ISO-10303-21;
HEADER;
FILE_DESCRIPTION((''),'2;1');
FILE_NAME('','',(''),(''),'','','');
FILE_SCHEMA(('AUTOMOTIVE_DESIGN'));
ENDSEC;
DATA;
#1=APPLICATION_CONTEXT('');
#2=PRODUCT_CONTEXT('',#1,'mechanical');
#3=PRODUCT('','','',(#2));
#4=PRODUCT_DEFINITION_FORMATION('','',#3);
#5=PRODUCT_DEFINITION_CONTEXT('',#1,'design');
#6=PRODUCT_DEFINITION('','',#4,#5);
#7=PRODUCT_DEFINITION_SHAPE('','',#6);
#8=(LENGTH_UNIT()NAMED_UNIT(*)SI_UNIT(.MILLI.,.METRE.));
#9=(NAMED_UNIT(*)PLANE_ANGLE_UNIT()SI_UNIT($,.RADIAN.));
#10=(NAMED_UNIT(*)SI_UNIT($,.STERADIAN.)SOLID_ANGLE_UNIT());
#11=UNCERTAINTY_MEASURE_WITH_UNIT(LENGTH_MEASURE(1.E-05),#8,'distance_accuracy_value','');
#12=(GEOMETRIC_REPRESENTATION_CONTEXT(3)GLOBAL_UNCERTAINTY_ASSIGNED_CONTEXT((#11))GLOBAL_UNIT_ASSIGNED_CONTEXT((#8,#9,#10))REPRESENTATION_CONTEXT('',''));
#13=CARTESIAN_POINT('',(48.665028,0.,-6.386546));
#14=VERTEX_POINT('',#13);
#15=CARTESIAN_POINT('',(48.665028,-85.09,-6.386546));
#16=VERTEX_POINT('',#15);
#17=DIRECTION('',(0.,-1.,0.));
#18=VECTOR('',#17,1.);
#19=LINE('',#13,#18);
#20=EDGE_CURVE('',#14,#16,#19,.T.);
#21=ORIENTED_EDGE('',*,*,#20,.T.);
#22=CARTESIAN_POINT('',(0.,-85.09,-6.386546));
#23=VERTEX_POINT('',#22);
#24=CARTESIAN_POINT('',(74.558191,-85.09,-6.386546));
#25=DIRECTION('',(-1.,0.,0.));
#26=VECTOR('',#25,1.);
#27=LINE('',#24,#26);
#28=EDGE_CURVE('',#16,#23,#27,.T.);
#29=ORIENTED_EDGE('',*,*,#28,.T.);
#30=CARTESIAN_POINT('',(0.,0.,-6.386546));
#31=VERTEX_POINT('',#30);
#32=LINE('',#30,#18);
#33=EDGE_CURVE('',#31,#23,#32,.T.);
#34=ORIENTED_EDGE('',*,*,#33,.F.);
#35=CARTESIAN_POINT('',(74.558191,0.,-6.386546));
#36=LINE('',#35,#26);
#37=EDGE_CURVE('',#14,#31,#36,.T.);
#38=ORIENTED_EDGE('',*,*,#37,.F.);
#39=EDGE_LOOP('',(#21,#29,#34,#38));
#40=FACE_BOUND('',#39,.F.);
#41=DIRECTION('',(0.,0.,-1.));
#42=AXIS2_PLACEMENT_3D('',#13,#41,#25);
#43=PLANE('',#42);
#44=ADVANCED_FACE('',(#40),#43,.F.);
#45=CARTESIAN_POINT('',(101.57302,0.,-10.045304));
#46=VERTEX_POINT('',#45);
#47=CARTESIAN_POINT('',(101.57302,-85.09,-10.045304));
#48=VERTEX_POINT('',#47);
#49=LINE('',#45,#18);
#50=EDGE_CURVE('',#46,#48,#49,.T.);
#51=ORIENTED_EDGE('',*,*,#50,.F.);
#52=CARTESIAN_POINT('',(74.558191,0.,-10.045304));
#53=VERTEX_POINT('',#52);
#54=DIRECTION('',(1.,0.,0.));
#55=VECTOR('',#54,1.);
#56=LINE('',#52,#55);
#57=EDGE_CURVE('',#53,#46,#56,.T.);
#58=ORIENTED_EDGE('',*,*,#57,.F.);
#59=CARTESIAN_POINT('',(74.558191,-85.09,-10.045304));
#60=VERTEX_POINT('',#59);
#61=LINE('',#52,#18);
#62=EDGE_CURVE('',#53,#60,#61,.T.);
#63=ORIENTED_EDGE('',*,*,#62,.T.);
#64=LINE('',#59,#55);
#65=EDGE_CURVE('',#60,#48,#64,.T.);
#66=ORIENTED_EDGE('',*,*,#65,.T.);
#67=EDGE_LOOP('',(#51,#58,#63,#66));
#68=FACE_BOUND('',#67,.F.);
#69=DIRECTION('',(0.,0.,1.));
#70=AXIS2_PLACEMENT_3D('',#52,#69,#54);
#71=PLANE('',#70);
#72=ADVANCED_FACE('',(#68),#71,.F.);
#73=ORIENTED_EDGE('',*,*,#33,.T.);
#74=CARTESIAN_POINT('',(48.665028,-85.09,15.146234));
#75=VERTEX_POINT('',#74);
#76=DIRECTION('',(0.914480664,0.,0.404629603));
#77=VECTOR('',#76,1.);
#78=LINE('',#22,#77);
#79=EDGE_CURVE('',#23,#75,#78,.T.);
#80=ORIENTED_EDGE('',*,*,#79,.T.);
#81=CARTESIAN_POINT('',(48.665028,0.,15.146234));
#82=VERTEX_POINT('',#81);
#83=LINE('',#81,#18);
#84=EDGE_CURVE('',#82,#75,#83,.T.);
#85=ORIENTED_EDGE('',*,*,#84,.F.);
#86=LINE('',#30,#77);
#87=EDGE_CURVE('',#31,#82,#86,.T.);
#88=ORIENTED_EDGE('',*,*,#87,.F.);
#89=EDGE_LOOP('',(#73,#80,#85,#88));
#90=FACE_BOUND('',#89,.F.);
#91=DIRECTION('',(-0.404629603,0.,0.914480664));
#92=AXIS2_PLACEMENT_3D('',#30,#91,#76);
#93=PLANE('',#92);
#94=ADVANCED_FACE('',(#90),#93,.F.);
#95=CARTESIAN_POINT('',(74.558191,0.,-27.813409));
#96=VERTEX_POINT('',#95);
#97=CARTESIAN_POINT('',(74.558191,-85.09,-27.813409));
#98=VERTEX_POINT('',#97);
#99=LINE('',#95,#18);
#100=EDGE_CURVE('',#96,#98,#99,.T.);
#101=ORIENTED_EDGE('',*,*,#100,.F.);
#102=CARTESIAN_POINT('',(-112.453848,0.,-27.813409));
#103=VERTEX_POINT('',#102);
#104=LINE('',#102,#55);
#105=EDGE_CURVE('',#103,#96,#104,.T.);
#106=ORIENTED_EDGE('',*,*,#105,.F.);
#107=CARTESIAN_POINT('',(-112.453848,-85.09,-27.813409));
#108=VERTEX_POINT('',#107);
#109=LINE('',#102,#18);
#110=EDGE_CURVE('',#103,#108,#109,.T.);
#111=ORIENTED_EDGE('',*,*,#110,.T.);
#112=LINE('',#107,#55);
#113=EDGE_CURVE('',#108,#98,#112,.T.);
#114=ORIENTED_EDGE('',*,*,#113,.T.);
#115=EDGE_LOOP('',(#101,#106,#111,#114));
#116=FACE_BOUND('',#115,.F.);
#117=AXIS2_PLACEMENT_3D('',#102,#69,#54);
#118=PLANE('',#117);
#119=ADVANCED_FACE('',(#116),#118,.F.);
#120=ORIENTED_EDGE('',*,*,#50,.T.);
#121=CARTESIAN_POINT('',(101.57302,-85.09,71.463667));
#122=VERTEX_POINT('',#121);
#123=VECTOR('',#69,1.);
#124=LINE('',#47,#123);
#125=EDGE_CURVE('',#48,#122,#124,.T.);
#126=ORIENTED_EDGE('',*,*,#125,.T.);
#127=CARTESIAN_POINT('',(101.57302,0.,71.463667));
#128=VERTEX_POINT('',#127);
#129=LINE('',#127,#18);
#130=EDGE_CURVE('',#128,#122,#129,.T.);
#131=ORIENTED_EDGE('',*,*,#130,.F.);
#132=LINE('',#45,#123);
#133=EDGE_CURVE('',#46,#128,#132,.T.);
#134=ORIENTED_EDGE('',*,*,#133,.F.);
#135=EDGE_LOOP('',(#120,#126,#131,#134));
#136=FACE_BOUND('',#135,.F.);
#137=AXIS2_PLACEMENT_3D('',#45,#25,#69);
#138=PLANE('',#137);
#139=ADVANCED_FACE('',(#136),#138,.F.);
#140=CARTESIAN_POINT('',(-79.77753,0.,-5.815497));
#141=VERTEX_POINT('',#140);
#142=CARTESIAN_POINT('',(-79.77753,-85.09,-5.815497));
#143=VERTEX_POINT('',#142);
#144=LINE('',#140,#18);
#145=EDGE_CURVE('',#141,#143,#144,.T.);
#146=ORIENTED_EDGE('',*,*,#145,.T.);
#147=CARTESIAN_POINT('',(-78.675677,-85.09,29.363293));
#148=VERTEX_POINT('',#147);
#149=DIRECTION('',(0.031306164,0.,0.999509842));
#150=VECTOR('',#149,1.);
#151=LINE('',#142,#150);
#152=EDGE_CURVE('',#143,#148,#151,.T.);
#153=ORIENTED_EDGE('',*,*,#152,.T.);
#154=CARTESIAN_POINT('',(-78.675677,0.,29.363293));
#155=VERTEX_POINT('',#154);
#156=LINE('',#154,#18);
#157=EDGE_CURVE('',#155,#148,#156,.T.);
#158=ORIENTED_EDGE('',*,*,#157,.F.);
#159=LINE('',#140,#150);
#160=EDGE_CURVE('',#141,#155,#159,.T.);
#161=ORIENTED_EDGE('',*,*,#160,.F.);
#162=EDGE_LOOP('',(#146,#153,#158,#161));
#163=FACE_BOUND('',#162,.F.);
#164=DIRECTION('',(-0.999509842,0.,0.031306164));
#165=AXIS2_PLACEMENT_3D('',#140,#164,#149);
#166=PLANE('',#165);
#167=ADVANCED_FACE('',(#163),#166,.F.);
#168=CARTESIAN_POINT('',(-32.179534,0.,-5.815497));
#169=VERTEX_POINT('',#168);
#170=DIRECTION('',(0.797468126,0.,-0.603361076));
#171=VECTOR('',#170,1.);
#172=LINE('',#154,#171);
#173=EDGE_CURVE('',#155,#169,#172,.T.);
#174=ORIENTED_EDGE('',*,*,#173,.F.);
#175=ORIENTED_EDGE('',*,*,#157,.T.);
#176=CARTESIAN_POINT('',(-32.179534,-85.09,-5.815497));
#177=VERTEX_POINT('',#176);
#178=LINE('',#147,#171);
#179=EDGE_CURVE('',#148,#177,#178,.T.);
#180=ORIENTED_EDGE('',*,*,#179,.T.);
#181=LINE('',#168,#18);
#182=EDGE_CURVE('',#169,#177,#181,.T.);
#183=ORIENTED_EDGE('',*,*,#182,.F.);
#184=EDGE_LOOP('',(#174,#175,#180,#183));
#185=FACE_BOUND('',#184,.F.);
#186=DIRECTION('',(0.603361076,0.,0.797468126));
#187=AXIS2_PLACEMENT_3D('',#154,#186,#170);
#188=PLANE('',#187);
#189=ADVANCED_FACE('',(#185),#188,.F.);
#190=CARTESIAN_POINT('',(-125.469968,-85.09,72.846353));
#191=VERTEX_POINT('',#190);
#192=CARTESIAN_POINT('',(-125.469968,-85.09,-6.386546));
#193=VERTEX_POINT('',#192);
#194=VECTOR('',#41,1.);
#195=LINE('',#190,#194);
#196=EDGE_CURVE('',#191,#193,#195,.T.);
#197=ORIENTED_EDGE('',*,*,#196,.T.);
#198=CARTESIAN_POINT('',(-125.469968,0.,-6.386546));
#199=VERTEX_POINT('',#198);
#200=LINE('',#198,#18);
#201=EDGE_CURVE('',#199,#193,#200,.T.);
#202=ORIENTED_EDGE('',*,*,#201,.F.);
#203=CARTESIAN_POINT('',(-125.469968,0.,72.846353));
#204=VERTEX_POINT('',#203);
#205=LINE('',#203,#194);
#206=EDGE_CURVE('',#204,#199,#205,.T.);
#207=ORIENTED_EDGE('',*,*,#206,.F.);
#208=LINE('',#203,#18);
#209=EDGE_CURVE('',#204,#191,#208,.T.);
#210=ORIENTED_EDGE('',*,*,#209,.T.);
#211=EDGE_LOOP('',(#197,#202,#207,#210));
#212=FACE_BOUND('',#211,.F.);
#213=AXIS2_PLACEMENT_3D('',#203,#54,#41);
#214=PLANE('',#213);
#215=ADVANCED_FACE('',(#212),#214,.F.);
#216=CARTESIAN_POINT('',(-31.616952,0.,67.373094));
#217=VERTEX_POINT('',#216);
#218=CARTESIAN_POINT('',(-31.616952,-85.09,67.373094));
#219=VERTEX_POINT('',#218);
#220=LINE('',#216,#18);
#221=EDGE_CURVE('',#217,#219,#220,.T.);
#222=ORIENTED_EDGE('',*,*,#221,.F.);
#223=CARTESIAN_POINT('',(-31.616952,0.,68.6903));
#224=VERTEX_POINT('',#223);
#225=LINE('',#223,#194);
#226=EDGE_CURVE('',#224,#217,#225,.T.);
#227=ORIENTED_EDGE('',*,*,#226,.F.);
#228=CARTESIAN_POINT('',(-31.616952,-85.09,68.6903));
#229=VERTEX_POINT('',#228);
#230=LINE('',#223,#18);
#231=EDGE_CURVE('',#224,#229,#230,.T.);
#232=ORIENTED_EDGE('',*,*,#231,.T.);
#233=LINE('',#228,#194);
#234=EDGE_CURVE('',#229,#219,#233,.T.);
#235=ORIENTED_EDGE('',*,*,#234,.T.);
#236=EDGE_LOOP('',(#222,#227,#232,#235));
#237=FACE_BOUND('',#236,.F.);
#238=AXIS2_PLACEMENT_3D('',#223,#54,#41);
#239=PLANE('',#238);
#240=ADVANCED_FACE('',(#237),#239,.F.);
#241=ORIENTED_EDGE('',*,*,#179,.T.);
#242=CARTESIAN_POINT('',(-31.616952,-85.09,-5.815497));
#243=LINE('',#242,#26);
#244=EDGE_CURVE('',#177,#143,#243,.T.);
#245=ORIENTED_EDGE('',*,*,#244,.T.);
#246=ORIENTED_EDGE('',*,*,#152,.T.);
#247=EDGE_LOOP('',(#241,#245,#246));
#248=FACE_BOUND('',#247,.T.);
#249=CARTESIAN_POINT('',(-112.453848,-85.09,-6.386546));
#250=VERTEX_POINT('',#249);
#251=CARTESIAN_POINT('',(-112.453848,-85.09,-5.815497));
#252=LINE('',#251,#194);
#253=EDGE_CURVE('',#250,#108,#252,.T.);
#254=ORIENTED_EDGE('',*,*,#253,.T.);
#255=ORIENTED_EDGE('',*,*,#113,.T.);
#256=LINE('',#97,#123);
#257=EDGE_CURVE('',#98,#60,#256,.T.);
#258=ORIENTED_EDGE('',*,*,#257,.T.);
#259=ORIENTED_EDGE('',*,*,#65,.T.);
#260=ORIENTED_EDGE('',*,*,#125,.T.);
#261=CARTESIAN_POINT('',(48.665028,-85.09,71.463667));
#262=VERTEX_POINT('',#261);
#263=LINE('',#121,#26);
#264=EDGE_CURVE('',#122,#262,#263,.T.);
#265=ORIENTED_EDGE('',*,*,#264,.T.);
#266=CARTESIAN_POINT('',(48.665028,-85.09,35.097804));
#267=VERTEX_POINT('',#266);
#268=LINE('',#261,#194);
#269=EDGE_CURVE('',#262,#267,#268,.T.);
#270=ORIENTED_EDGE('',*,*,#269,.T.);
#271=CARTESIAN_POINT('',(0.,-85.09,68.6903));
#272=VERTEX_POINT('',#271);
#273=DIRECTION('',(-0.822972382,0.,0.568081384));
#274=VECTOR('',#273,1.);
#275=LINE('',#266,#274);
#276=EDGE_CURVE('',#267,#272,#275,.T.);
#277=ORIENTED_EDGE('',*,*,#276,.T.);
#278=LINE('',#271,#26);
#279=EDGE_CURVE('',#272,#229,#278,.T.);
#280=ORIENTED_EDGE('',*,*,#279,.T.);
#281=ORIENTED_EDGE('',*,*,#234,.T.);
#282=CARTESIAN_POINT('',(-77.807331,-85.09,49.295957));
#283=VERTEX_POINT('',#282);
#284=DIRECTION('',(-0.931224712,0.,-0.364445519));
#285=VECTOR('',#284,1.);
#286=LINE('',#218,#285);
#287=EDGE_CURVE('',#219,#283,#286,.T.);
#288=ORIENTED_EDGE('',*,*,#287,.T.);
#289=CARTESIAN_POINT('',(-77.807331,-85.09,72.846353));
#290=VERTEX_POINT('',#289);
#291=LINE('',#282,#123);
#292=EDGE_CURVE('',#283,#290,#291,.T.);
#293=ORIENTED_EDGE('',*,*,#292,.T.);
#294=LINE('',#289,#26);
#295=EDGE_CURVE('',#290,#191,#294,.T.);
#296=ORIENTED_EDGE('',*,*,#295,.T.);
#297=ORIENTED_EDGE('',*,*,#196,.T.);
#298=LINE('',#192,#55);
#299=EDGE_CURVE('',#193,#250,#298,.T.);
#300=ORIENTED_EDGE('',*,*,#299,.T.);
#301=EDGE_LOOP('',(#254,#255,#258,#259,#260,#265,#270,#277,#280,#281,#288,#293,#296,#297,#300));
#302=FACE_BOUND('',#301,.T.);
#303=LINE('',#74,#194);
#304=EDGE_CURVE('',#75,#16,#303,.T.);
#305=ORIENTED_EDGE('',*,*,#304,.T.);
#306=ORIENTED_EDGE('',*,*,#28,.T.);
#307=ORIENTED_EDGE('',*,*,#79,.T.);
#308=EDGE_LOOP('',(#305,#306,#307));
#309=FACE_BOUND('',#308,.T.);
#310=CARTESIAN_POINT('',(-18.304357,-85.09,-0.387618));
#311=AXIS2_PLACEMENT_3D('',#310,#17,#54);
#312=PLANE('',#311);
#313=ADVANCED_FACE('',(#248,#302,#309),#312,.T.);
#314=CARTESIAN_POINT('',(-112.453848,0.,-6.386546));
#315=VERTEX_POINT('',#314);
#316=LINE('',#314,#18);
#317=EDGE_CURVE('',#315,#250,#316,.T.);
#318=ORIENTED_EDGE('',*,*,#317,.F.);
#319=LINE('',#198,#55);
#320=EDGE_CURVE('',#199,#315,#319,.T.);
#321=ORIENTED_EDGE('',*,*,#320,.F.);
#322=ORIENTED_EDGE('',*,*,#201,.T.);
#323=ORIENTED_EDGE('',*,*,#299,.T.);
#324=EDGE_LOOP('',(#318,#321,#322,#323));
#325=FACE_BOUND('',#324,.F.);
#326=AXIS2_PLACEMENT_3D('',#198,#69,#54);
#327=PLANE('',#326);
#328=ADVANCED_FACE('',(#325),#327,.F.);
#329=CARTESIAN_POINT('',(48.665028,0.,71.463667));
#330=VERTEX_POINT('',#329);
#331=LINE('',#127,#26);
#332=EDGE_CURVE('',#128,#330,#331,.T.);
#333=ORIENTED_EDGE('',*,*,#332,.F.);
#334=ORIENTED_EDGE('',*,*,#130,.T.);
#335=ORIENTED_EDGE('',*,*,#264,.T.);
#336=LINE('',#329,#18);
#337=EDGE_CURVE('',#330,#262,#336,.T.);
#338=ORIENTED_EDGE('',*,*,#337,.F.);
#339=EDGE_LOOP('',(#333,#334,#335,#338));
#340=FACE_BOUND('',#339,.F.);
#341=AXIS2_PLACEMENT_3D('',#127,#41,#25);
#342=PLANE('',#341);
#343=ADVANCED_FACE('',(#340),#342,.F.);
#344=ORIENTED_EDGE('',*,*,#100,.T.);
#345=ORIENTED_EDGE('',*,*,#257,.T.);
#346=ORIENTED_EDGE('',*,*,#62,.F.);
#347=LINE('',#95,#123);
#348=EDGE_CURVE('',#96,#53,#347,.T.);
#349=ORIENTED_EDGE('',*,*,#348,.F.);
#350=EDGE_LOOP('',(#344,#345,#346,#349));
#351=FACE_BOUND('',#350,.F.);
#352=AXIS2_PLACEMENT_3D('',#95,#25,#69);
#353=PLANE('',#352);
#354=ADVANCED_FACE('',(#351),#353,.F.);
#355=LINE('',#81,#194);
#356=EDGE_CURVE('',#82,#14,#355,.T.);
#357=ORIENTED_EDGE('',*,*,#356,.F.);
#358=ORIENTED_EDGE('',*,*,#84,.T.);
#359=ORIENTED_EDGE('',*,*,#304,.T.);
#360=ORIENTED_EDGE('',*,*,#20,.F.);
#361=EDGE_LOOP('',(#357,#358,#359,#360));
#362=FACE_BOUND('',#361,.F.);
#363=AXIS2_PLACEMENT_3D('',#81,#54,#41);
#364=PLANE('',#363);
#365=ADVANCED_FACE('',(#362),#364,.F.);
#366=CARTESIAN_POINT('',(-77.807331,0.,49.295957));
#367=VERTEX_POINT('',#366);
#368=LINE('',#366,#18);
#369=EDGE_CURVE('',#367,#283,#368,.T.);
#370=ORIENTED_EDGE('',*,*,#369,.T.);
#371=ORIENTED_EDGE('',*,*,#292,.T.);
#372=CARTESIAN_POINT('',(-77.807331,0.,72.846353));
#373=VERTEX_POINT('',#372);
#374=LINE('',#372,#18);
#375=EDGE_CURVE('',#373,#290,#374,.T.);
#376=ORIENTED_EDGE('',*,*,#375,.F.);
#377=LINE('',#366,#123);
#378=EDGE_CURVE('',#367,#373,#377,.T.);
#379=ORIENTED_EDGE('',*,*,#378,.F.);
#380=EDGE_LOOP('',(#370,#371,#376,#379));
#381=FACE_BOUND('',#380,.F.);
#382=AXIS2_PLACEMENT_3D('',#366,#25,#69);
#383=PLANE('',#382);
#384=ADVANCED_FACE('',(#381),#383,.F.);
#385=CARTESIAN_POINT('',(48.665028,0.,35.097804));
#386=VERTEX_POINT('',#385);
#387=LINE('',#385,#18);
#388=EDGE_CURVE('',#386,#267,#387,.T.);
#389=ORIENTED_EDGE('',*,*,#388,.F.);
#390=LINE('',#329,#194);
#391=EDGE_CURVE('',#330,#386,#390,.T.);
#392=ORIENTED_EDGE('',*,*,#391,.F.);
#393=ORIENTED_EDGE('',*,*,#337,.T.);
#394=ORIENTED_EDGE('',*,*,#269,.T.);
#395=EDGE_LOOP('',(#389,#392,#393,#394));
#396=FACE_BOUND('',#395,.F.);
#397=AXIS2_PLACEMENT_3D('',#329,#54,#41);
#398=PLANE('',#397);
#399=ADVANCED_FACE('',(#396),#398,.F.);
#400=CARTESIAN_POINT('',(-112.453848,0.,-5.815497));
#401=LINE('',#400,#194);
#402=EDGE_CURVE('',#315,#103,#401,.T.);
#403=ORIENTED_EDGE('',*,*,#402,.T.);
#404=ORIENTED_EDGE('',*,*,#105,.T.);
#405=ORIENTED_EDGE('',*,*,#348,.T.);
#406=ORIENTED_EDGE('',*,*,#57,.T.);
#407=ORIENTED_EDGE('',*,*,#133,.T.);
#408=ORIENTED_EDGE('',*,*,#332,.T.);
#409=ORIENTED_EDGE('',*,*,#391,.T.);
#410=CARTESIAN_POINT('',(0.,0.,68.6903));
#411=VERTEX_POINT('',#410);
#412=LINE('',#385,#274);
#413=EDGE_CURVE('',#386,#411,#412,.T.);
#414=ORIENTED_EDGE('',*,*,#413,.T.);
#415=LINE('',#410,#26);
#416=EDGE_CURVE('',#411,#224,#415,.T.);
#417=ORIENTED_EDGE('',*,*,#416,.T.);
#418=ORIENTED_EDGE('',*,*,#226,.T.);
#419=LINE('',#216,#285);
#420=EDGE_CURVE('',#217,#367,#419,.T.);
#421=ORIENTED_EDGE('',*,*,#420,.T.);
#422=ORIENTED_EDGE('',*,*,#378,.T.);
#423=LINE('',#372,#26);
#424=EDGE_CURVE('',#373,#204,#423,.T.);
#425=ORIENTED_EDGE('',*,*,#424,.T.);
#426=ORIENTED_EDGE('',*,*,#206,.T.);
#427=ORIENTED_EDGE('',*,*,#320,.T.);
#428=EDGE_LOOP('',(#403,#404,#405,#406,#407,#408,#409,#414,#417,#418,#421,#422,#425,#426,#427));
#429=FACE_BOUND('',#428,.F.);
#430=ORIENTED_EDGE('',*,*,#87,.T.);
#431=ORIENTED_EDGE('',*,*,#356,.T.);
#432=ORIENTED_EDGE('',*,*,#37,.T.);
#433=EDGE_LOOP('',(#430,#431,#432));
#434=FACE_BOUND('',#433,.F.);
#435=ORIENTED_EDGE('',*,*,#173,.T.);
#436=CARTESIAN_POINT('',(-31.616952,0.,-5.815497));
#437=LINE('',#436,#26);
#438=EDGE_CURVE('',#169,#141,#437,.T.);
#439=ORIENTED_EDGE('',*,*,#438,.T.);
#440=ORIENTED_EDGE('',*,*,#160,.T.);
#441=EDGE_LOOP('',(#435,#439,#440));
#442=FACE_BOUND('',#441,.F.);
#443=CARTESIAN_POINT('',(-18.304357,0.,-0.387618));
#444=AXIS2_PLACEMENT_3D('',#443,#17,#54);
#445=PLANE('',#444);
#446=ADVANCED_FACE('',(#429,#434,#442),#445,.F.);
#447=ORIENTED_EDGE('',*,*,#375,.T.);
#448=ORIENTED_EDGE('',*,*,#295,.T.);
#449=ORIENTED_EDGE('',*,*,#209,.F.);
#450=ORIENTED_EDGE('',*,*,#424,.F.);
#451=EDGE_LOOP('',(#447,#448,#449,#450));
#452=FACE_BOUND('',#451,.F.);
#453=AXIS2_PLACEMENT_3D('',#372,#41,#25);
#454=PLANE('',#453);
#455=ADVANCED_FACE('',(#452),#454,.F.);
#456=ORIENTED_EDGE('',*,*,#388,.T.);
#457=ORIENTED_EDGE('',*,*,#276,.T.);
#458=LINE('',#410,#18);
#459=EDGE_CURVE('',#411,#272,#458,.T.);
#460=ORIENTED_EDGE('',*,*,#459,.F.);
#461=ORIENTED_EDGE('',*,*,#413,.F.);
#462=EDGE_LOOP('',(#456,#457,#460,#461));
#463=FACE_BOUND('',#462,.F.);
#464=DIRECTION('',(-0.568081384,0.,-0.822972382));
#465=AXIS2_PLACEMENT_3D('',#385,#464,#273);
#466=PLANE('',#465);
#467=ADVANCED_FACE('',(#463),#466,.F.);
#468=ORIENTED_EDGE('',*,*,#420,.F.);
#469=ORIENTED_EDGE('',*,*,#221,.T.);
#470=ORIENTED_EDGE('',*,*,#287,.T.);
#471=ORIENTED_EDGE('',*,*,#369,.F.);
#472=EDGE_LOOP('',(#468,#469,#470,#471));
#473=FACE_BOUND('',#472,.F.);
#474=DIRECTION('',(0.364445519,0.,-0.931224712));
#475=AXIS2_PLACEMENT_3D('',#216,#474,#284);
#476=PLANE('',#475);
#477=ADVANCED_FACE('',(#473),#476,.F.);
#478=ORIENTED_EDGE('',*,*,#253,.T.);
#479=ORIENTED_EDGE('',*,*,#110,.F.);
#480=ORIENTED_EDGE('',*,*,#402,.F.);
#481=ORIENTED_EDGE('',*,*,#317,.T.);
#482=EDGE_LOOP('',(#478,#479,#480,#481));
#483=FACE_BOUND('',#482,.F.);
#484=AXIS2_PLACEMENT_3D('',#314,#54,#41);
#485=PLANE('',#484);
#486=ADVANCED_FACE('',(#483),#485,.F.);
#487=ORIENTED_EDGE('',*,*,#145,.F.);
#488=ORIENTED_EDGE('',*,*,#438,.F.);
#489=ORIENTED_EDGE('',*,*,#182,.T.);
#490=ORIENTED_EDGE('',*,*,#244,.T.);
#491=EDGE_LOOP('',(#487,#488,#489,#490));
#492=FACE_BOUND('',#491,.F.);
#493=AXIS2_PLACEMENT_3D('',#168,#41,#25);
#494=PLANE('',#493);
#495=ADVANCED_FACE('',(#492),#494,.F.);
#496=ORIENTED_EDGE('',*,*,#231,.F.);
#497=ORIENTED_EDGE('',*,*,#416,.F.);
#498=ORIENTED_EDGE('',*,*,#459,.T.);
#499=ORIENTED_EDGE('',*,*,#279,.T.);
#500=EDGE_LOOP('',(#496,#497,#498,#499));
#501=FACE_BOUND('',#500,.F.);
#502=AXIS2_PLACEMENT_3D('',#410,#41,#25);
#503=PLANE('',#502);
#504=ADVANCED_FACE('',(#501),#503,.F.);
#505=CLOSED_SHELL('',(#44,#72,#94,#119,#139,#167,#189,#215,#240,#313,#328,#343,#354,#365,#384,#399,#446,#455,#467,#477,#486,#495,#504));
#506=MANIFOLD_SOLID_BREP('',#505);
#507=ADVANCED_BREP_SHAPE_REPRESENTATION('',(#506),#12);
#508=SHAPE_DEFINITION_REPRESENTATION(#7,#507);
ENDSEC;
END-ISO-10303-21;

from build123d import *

# Parameters (mm, degrees)
F0_W     = 25.893162936
F0_H     = 3.6587580107
F1_DEPTH = 85.09


with BuildPart() as f1:
    # F0 (on Front) → F1 (new body)
    with BuildSketch(Plane.XZ):
        Polygon((-32.1795336076, -5.8154966682), (-47.1369847655, -5.8154966682), (-79.777530315, -5.8154966682), (-79.7954164445, -6.3865459524), (-112.4538481236, -6.3865459524), (-112.4538481236, -27.8134085238), (74.5581910014, -27.8134085238), (74.5581910014, -10.0453039631), (48.6650280654, -10.0453039631), (48.6650280654, -6.3865459524), (0, -6.3865459524), (0, 68.6902999878), (-28.2512512058, 68.6902999878), (-31.6169522703, 67.3730941035), (-31.6169522703, -5.8154966682), align=None)
        Polygon((-79.7954164445, -6.3865459524), (-79.777530315, -5.8154966682), (-112.4538481236, -5.8154966682), (-112.4538481236, -6.3865459524), align=None)
        Polygon((-112.4538481236, -5.8154966682), (-79.777530315, -5.8154966682), (-78.6756772828, 29.3632927816), (-77.8073309867, 49.2959572824), (-77.8073309867, 72.846353054), (-125.4699677229, 72.846353054), (-125.4699677229, -6.3865459524), (-112.4538481236, -6.3865459524), align=None)
        Polygon((-78.6756772828, 29.3632927816), (-32.1795336076, -5.8154966682), (-31.6169522703, -5.8154966682), (-31.6169522703, 67.3730941035), (-77.8073309867, 49.2959572824), align=None)
        Polygon((-31.6169522703, 68.6902999878), (-31.6169522703, 67.3730941035), (-28.2512512058, 68.6902999878), align=None)
        Polygon((48.6650280654, 35.0978039205), (0, 68.6902999878), (0, -6.3865459524), (48.6650280654, 15.1462340727), align=None)
        with Locations((61.6116095334, -8.2159249578)):
            Rectangle(F0_W, F0_H)
        Polygon((74.5581910014, -6.3865459524), (74.5581910014, -10.0453039631), (101.5730202198, -10.0453039631), (101.5730202198, 71.4636668563), (48.6650280654, 71.4636668563), (48.6650280654, 35.0978039205), (48.6650280654, 15.1462340727), (48.6650280654, 0), (48.6650280654, -6.3865459524), align=None)
    extrude(amount=F1_DEPTH)


solid = f1.part
